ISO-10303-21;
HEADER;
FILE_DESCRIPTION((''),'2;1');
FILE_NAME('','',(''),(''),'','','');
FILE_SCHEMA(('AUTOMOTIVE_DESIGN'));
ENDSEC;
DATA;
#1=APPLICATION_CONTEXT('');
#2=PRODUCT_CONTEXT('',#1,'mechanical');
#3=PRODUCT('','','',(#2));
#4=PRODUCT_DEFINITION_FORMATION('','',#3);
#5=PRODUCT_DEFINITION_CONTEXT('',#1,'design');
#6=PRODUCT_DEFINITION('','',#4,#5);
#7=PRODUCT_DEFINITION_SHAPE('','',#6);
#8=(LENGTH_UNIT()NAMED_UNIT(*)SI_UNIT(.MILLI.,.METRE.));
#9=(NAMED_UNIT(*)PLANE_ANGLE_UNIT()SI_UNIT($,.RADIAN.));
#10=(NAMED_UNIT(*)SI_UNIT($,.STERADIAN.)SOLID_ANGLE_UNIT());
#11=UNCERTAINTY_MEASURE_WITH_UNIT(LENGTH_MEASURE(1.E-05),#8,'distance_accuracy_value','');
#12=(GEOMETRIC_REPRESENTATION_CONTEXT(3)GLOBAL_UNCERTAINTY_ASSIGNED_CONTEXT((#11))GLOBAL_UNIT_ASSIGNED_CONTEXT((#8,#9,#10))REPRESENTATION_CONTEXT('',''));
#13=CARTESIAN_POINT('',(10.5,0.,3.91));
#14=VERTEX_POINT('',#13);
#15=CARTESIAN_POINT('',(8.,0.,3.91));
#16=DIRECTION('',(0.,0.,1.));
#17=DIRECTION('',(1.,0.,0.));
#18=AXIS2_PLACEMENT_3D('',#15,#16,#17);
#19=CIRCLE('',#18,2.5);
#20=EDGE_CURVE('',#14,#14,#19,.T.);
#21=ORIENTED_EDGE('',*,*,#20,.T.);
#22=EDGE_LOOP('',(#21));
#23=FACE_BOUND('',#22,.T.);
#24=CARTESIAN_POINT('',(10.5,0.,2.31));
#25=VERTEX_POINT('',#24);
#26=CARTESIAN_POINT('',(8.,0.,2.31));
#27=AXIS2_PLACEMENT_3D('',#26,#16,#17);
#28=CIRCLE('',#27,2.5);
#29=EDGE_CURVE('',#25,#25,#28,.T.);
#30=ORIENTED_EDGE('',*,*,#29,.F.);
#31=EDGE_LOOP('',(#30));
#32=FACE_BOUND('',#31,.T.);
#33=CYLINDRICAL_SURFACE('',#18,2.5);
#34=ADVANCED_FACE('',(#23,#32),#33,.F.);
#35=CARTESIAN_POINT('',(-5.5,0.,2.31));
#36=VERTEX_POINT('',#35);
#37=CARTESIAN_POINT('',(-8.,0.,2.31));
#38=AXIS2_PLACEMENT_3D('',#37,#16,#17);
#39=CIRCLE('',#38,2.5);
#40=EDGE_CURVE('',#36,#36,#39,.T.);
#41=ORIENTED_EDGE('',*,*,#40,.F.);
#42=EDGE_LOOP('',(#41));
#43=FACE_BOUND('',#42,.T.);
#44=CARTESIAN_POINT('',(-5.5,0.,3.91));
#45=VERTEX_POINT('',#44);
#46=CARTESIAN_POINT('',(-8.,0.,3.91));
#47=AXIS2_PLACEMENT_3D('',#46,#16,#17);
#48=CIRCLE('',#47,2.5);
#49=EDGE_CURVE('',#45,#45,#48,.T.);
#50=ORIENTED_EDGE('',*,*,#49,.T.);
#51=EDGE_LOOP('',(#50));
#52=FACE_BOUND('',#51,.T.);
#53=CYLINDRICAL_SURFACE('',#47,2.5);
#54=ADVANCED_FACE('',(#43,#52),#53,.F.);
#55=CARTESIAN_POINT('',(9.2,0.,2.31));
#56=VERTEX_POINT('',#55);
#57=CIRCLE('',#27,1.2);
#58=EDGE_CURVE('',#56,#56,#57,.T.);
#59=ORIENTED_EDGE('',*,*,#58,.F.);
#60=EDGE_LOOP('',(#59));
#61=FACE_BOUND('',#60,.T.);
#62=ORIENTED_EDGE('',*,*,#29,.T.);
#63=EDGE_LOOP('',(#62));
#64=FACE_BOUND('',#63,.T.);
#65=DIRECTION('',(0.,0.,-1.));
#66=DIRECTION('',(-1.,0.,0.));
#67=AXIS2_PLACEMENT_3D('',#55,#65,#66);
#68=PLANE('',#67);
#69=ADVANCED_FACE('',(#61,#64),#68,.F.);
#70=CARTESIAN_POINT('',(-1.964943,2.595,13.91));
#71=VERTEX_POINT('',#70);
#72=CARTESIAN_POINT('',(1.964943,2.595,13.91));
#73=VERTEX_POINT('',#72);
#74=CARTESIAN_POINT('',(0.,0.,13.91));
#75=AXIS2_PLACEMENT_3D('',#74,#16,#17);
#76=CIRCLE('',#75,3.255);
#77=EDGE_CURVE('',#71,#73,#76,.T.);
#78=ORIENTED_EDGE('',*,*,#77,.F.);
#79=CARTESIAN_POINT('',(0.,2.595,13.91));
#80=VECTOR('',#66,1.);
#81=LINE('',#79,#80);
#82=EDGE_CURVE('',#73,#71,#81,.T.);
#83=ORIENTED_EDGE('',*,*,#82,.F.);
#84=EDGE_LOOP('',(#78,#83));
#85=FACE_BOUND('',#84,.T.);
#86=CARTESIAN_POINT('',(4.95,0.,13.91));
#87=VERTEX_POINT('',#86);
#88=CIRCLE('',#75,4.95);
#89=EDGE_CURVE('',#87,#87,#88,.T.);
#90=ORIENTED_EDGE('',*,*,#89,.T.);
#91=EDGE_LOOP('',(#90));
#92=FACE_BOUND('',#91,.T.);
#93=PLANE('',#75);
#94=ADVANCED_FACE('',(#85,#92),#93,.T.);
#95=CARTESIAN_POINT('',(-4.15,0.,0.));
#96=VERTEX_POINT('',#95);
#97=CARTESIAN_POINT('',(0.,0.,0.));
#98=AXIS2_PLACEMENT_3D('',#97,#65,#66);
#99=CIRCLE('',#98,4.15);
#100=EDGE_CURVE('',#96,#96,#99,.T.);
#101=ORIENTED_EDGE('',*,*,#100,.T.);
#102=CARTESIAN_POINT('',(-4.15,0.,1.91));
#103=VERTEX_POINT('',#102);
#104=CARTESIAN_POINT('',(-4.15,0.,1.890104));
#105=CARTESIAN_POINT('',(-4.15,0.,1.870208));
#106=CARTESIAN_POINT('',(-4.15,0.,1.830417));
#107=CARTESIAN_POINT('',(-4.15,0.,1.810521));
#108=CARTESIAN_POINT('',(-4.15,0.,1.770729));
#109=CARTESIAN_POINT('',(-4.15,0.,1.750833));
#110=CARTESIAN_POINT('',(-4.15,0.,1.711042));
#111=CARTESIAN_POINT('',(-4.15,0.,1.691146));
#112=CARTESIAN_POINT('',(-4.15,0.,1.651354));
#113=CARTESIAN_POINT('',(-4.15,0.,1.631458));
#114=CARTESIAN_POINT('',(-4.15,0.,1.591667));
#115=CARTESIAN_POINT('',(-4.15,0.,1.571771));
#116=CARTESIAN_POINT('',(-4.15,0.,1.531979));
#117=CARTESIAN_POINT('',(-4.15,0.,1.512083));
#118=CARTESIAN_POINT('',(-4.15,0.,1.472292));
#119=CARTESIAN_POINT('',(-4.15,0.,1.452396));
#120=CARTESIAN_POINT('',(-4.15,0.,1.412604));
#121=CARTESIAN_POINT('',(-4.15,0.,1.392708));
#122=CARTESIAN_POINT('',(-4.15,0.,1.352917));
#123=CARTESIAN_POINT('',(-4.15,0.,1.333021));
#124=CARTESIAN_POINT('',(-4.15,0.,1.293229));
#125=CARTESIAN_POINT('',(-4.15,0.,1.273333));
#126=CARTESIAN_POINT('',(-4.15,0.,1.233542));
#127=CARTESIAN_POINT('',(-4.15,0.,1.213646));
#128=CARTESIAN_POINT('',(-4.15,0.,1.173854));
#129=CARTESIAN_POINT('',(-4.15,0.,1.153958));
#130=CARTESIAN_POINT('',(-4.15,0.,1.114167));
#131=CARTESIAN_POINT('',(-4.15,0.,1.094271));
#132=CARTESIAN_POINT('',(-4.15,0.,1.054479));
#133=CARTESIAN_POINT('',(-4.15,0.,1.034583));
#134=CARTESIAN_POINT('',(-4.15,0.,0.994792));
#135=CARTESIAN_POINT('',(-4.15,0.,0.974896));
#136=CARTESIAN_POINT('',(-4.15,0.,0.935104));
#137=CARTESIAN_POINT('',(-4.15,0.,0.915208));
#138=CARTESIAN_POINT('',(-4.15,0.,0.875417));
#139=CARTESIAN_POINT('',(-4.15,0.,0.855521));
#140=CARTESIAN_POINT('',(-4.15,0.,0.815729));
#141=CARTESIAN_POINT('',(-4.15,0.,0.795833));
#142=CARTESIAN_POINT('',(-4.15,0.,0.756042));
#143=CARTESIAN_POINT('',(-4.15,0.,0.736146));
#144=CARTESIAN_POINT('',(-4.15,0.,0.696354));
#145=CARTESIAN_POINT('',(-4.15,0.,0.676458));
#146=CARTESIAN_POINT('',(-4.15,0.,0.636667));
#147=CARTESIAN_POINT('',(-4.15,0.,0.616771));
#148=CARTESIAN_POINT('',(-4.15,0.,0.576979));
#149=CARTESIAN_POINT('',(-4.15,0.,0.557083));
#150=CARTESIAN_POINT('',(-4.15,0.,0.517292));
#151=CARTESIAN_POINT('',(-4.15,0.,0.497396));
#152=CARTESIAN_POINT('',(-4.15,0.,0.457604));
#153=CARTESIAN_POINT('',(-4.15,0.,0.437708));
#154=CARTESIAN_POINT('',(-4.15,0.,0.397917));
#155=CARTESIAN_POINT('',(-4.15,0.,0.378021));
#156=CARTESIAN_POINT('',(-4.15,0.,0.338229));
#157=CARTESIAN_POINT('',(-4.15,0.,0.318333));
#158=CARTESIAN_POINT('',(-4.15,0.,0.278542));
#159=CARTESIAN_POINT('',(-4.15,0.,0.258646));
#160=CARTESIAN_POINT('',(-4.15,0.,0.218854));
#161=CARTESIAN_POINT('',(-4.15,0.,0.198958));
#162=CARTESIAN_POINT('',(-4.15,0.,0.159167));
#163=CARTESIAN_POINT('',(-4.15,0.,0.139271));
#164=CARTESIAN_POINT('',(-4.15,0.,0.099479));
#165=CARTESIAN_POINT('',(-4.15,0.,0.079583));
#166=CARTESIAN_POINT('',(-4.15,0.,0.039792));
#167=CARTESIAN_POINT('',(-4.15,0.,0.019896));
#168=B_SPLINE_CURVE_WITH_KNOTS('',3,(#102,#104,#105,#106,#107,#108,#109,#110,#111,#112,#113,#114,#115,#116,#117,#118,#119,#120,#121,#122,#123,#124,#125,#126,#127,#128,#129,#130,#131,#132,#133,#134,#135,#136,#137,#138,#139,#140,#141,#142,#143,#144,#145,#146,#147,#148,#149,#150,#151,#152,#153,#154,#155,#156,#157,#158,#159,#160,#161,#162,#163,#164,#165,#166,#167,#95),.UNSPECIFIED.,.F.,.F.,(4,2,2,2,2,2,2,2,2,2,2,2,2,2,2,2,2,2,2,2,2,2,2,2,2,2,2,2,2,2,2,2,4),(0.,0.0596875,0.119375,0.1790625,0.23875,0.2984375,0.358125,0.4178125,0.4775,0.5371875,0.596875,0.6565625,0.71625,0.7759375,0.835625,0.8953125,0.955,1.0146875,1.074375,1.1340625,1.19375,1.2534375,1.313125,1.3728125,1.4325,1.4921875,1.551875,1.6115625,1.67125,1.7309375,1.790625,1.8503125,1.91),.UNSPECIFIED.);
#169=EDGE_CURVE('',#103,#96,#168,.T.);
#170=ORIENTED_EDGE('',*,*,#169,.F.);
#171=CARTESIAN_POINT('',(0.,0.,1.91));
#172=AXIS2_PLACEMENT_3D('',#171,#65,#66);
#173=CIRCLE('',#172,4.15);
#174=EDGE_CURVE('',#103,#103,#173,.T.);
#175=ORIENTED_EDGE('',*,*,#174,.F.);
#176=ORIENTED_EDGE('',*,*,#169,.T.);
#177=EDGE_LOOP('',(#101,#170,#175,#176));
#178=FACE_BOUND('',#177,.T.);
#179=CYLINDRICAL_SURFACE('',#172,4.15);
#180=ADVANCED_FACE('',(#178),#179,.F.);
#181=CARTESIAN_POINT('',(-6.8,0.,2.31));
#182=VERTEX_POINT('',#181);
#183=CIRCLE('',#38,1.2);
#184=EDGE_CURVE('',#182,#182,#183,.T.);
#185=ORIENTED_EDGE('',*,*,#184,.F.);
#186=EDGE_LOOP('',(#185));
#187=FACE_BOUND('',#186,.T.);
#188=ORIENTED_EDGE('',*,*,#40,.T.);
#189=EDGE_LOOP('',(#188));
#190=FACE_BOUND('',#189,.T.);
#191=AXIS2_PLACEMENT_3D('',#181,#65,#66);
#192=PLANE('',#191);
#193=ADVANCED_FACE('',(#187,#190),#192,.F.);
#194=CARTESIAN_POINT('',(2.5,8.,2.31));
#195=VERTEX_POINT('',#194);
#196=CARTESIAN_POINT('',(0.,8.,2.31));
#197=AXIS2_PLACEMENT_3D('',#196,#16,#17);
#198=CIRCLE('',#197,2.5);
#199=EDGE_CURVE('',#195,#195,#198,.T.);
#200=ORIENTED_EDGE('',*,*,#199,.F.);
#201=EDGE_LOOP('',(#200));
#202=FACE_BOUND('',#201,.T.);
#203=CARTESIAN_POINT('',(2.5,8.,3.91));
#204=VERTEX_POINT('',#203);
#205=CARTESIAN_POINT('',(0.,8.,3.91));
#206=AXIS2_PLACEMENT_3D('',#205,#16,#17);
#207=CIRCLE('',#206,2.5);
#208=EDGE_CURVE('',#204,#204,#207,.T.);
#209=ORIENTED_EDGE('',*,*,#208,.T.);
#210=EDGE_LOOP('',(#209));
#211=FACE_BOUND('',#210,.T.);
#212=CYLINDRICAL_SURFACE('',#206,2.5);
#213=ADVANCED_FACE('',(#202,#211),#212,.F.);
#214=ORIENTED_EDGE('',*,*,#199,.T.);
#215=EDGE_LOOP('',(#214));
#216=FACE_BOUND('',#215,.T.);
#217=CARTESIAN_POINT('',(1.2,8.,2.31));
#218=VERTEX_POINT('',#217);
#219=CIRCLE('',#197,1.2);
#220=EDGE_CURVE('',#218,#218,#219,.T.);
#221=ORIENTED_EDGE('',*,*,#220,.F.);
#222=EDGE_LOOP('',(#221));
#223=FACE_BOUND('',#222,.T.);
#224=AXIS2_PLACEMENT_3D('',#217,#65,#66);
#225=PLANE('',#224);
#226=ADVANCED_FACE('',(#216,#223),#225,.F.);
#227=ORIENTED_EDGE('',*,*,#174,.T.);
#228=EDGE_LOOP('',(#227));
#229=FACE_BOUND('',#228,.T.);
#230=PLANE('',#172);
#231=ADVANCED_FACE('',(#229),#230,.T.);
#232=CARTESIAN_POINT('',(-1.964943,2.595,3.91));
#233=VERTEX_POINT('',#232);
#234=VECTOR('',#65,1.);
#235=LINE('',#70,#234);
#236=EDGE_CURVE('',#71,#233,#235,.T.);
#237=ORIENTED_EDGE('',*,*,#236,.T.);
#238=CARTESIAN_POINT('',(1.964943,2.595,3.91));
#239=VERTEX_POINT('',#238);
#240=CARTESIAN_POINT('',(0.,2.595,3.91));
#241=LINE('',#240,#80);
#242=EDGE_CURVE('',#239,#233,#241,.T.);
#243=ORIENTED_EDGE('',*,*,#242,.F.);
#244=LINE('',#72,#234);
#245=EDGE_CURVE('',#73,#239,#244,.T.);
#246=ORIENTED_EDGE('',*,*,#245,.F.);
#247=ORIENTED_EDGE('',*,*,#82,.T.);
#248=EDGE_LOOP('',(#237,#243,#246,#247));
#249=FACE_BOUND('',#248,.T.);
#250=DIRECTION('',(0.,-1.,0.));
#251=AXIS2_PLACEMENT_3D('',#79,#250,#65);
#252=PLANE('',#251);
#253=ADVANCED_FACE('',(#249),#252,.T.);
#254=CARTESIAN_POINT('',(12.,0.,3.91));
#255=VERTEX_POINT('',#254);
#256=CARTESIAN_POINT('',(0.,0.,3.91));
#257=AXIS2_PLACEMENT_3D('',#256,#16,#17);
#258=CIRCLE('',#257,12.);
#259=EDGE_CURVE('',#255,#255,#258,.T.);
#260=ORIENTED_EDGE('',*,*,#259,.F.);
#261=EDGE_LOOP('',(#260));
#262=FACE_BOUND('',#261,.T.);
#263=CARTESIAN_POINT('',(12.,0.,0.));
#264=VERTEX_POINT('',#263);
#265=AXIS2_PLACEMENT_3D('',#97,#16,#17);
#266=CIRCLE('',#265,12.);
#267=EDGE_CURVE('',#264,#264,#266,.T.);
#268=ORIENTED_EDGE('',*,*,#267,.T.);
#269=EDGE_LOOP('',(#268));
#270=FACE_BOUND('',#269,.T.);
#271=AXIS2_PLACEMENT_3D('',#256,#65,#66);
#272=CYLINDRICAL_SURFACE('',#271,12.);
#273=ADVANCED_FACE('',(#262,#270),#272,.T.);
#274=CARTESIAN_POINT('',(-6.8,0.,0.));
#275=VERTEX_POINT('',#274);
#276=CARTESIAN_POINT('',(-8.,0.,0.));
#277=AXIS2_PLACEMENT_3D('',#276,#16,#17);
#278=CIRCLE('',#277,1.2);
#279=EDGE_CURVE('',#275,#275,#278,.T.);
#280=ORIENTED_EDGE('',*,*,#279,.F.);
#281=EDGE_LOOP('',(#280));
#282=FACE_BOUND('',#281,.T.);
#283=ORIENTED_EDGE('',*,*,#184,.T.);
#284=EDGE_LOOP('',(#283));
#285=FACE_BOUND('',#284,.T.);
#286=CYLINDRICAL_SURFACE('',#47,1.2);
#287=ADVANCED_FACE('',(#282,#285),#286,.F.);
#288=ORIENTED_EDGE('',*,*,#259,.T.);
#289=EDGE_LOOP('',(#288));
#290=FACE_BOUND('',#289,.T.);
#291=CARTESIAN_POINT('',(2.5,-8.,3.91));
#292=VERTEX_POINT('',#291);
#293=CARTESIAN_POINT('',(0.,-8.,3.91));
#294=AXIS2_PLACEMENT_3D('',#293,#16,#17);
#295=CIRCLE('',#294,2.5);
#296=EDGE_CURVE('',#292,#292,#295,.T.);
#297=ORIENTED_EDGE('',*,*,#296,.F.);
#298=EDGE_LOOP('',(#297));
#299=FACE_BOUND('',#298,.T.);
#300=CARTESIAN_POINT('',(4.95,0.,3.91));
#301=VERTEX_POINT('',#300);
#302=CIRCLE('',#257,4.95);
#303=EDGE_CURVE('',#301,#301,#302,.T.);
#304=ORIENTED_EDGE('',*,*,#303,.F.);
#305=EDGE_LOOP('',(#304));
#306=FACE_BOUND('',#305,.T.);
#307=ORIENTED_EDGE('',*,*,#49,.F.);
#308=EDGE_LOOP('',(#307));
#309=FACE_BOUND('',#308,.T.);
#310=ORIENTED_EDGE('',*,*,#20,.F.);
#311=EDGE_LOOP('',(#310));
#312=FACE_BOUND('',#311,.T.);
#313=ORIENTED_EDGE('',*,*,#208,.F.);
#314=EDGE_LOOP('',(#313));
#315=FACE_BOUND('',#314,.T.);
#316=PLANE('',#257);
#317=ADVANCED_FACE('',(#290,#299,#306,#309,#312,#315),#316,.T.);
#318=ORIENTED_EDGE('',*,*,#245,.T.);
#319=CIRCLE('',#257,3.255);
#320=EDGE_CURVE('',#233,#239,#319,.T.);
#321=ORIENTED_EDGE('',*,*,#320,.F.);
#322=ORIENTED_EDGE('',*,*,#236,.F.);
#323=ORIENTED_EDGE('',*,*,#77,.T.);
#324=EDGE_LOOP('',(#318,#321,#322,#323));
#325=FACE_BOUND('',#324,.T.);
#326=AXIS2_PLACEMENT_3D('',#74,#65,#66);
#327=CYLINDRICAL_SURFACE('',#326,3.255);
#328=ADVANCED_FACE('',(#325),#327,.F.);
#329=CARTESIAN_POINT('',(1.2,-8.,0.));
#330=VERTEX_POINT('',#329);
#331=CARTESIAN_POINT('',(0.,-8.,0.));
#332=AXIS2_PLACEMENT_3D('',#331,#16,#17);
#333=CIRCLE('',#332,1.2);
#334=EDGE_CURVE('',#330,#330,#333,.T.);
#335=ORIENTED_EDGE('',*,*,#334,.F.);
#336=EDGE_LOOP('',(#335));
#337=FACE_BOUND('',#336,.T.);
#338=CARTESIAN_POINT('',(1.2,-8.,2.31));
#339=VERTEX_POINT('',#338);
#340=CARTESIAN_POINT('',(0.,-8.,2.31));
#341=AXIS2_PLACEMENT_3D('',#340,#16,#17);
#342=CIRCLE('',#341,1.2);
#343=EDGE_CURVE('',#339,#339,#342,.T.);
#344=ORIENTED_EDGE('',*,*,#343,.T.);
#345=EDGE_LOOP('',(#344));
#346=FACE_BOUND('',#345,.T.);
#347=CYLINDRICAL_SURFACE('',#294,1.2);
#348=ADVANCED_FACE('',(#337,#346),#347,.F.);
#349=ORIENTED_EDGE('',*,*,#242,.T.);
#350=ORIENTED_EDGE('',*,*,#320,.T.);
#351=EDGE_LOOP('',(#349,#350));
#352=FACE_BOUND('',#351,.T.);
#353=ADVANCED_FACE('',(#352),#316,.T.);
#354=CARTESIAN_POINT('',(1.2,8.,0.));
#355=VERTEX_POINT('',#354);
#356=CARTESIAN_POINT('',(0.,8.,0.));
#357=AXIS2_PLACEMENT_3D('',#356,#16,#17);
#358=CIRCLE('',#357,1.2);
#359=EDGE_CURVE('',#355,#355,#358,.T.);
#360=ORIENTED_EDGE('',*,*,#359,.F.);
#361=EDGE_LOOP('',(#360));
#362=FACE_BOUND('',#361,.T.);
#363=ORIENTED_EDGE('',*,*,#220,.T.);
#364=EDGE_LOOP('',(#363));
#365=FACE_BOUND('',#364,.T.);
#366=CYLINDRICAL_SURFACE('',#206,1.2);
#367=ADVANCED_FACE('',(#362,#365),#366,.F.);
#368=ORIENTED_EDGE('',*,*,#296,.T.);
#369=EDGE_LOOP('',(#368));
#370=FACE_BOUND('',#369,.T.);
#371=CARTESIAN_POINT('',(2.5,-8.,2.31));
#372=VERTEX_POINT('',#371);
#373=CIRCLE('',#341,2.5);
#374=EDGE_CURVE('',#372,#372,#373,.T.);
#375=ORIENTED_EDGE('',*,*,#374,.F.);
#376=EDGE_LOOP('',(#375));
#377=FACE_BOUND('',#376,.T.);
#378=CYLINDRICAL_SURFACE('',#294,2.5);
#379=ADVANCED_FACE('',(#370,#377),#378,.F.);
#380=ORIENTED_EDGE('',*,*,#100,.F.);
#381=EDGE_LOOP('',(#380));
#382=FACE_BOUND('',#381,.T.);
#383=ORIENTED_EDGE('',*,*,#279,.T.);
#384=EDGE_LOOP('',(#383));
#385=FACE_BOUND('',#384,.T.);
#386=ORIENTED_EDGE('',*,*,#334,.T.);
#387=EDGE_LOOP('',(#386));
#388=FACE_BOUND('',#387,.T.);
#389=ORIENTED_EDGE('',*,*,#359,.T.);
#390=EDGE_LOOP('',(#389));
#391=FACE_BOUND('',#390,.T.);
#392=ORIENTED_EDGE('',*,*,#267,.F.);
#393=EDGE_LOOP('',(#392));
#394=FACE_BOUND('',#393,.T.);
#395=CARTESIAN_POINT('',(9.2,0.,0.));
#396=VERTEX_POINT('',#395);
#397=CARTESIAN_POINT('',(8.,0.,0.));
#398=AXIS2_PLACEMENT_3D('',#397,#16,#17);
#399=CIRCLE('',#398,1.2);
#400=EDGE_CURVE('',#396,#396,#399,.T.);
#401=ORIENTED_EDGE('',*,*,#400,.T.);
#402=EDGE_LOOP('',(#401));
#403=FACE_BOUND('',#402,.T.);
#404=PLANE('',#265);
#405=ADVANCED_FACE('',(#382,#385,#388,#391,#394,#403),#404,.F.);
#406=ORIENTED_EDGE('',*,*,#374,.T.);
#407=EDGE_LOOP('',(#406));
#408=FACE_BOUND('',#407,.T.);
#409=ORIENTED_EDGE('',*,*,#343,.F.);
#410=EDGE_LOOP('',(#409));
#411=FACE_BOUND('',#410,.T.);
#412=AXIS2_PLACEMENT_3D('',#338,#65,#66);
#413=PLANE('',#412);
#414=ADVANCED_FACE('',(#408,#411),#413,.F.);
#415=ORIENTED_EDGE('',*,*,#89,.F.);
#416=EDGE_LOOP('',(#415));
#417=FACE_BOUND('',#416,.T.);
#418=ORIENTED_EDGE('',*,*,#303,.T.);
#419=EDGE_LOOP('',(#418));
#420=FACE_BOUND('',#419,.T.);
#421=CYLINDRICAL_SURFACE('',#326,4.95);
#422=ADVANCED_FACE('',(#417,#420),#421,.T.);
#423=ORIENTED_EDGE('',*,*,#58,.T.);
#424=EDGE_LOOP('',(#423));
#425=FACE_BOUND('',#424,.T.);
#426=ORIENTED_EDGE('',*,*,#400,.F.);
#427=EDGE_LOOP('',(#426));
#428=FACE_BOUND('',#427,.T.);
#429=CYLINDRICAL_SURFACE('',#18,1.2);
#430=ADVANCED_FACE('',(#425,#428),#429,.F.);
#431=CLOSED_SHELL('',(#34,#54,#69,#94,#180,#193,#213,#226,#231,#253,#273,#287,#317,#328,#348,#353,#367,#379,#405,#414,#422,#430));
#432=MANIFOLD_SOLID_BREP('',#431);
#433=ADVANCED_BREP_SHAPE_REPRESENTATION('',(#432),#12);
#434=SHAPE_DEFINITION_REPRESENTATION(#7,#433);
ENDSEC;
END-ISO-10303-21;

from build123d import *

# Parameters (mm, degrees)
ESQUISSE1_R                                        = 12
BOSS_EXTRU_1_DEPTH                                 = 3.91
ESQUISSE6_R                                        = 4.15
ENL_V_MAT_EXTRU_2_DEPTH                            = 1.91
ESQUISSE7_R                                        = 4.95
BOSS_EXTRU_2_DEPTH                                 = 10
CHAMBRAGE_POUR_VIS_T_TE_RONDE_BOMB_E_M_D           = 2.4
CHAMBRAGE_POUR_VIS_T_TE_RONDE_BOMB_E_M_CBORE_D     = 5
CHAMBRAGE_POUR_VIS_T_TE_RONDE_BOMB_E_M_CBORE_DEPTH = 1.6
R_P_TITION_CIRCULAIRE2_COUNT                       = 4


with BuildPart() as part:
    # Esquisse1 → Boss.-Extru.1 (new body)
    with BuildSketch(Plane.XY):
        Circle(ESQUISSE1_R)
    extrude(amount=BOSS_EXTRU_1_DEPTH)

    # Esquisse6 → Enlèv. mat.-Extru.2 (cut)
    with BuildSketch(Plane(origin=(0, 0, 0), x_dir=(-1, 0, 0), z_dir=(0, 0, -1))):
        Circle(ESQUISSE6_R)
    extrude(amount=-ENL_V_MAT_EXTRU_2_DEPTH, mode=Mode.SUBTRACT)

    # Esquisse7 → Boss.-Extru.2 (add)
    with BuildSketch(Plane.XY.offset(3.91)):
        Circle(ESQUISSE7_R)
        with BuildLine():
            Line((1.964942747, 2.595), (-1.964942747, 2.595))
            ThreePointArc((-1.964942747, 2.595), (0, -3.255), (1.964942747, 2.595))
        make_face(mode=Mode.SUBTRACT)
    extrude(amount=BOSS_EXTRU_2_DEPTH)

    # Chambrage pour vis à tête ronde bombée M21 (through all)
    with Locations(Plane.XY.offset(3.91)):
        with Locations((0, 8)):
            chambrage_pour_vis_t_te_ronde_bomb_e_m = CounterBoreHole(CHAMBRAGE_POUR_VIS_T_TE_RONDE_BOMB_E_M_D / 2, CHAMBRAGE_POUR_VIS_T_TE_RONDE_BOMB_E_M_CBORE_D / 2, CHAMBRAGE_POUR_VIS_T_TE_RONDE_BOMB_E_M_CBORE_DEPTH)

    # Répétition circulaire2: Chambrage pour vis à tête ronde bombée M21 ×4 about axis
    r_p_tition_circulaire2_axis = Axis((0, 0, 0), (0, 0, 1))
    for i in range(1, R_P_TITION_CIRCULAIRE2_COUNT):
        add(chambrage_pour_vis_t_te_ronde_bomb_e_m.rotate(r_p_tition_circulaire2_axis, i * 360 / R_P_TITION_CIRCULAIRE2_COUNT), mode=Mode.SUBTRACT)


solid = part.part
